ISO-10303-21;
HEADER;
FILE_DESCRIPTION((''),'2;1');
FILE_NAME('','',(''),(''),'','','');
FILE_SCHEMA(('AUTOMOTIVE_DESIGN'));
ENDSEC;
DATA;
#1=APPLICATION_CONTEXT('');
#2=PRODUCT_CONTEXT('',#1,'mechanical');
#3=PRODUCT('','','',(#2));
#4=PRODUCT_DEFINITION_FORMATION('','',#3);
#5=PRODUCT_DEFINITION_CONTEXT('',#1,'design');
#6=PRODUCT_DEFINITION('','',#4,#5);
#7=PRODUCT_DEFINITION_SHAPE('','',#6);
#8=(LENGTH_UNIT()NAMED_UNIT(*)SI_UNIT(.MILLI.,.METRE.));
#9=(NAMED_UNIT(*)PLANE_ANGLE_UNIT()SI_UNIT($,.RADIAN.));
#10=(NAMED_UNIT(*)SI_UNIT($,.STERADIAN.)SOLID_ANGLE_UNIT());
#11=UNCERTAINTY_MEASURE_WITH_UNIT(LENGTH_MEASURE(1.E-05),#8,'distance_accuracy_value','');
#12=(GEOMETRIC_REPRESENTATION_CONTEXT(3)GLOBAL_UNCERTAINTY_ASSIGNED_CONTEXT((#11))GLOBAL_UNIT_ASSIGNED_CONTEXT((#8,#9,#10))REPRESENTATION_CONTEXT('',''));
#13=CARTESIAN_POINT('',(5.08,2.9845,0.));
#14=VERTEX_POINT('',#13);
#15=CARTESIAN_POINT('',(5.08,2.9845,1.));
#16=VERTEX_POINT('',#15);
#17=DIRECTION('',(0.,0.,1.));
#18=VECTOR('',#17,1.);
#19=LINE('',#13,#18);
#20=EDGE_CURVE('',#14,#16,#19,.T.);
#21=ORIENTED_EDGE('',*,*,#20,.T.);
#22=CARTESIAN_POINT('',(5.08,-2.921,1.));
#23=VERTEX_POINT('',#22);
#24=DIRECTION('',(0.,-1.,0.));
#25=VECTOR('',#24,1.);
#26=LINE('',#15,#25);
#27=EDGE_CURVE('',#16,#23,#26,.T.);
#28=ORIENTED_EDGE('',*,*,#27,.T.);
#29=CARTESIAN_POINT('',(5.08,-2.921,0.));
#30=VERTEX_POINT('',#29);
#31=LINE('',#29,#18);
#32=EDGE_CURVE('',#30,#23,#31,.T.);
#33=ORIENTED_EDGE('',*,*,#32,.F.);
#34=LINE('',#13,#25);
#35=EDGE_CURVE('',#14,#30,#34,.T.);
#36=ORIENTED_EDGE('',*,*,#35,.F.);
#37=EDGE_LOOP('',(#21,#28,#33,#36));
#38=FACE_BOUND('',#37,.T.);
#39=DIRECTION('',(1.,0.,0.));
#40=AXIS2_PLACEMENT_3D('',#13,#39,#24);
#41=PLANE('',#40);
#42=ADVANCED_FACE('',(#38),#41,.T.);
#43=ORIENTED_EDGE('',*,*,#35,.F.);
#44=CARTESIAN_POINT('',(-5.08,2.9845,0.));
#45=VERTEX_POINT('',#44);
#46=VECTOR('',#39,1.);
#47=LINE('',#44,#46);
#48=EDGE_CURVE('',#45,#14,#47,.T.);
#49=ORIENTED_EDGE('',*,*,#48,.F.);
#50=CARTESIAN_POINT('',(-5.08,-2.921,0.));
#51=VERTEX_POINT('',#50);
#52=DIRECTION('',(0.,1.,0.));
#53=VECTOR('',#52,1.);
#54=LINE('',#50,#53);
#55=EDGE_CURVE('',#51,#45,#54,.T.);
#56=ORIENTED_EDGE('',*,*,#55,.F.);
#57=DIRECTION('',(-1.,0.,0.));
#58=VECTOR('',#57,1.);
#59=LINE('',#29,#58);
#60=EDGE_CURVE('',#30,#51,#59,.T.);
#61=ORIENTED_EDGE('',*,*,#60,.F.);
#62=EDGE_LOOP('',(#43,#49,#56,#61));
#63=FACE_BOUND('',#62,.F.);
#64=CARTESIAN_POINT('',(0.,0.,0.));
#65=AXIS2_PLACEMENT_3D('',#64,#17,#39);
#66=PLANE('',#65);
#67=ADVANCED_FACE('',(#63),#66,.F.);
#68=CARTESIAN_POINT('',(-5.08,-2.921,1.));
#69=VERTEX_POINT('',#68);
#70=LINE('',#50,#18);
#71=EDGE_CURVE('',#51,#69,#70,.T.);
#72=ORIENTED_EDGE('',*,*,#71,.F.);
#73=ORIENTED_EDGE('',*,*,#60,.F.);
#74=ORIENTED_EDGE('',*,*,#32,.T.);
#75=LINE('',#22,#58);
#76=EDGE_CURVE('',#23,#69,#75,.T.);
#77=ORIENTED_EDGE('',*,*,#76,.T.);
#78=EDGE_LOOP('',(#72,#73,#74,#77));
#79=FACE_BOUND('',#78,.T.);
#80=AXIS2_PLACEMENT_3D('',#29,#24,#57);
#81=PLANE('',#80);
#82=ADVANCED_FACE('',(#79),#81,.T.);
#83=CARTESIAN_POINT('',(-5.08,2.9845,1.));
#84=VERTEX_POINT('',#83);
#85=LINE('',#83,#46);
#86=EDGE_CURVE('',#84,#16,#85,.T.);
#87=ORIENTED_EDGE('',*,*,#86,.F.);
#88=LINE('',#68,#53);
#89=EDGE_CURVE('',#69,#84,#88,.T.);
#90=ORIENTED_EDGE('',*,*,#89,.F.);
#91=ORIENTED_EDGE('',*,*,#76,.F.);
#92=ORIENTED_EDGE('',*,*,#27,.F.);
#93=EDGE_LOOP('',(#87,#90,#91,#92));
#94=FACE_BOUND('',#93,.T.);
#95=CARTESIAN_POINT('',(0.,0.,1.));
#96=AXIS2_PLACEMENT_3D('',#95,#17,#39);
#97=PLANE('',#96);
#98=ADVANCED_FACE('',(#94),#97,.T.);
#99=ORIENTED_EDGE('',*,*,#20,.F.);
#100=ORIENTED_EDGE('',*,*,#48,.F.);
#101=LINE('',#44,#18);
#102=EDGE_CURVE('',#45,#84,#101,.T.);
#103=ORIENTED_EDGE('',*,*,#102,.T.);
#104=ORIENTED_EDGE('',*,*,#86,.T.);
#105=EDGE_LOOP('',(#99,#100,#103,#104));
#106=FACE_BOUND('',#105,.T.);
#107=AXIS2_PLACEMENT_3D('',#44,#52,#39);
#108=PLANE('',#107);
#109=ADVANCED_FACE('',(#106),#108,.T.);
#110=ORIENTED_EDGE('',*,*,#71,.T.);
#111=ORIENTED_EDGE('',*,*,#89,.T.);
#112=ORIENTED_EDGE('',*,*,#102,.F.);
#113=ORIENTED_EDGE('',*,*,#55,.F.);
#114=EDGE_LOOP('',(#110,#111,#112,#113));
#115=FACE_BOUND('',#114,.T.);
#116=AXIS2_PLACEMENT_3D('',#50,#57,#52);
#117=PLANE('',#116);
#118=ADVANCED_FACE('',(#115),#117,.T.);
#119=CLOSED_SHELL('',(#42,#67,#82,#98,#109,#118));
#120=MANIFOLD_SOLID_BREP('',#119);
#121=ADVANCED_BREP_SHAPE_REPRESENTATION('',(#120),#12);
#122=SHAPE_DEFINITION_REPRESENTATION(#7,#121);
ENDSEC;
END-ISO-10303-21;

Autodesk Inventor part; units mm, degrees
ref_plane "YZ Plane" through (0, 0, 0) normal (1, 0, 0) x (0, 1, 0)
ref_plane "XZ Plane" through (0, 0, 0) normal (0, 1, 0) x (-1, 0, 0)
ref_plane "XY Plane" through (0, 0, 0) normal (0, 0, 1) x (1, 0, 0)
sketch "6410-04, 22-27-2041-04_43" plane through (0, 0, 0) normal (0, 0, 1) x (1, 0, 0)
  line L0 (-5.08, 2.9845) -> (5.08, 2.9845)
  line L1 (5.08, 2.9845) -> (5.08, -2.921)
  line L2 (5.08, -2.921) -> (-5.08, -2.921)
  line L3 (-5.08, -2.921) -> (-5.08, 2.9845)
extrude "Extrusion1" add sketch "6410-04, 22-27-2041-04_43" along normal blind 1
properties part number "22-27-2041-04"
